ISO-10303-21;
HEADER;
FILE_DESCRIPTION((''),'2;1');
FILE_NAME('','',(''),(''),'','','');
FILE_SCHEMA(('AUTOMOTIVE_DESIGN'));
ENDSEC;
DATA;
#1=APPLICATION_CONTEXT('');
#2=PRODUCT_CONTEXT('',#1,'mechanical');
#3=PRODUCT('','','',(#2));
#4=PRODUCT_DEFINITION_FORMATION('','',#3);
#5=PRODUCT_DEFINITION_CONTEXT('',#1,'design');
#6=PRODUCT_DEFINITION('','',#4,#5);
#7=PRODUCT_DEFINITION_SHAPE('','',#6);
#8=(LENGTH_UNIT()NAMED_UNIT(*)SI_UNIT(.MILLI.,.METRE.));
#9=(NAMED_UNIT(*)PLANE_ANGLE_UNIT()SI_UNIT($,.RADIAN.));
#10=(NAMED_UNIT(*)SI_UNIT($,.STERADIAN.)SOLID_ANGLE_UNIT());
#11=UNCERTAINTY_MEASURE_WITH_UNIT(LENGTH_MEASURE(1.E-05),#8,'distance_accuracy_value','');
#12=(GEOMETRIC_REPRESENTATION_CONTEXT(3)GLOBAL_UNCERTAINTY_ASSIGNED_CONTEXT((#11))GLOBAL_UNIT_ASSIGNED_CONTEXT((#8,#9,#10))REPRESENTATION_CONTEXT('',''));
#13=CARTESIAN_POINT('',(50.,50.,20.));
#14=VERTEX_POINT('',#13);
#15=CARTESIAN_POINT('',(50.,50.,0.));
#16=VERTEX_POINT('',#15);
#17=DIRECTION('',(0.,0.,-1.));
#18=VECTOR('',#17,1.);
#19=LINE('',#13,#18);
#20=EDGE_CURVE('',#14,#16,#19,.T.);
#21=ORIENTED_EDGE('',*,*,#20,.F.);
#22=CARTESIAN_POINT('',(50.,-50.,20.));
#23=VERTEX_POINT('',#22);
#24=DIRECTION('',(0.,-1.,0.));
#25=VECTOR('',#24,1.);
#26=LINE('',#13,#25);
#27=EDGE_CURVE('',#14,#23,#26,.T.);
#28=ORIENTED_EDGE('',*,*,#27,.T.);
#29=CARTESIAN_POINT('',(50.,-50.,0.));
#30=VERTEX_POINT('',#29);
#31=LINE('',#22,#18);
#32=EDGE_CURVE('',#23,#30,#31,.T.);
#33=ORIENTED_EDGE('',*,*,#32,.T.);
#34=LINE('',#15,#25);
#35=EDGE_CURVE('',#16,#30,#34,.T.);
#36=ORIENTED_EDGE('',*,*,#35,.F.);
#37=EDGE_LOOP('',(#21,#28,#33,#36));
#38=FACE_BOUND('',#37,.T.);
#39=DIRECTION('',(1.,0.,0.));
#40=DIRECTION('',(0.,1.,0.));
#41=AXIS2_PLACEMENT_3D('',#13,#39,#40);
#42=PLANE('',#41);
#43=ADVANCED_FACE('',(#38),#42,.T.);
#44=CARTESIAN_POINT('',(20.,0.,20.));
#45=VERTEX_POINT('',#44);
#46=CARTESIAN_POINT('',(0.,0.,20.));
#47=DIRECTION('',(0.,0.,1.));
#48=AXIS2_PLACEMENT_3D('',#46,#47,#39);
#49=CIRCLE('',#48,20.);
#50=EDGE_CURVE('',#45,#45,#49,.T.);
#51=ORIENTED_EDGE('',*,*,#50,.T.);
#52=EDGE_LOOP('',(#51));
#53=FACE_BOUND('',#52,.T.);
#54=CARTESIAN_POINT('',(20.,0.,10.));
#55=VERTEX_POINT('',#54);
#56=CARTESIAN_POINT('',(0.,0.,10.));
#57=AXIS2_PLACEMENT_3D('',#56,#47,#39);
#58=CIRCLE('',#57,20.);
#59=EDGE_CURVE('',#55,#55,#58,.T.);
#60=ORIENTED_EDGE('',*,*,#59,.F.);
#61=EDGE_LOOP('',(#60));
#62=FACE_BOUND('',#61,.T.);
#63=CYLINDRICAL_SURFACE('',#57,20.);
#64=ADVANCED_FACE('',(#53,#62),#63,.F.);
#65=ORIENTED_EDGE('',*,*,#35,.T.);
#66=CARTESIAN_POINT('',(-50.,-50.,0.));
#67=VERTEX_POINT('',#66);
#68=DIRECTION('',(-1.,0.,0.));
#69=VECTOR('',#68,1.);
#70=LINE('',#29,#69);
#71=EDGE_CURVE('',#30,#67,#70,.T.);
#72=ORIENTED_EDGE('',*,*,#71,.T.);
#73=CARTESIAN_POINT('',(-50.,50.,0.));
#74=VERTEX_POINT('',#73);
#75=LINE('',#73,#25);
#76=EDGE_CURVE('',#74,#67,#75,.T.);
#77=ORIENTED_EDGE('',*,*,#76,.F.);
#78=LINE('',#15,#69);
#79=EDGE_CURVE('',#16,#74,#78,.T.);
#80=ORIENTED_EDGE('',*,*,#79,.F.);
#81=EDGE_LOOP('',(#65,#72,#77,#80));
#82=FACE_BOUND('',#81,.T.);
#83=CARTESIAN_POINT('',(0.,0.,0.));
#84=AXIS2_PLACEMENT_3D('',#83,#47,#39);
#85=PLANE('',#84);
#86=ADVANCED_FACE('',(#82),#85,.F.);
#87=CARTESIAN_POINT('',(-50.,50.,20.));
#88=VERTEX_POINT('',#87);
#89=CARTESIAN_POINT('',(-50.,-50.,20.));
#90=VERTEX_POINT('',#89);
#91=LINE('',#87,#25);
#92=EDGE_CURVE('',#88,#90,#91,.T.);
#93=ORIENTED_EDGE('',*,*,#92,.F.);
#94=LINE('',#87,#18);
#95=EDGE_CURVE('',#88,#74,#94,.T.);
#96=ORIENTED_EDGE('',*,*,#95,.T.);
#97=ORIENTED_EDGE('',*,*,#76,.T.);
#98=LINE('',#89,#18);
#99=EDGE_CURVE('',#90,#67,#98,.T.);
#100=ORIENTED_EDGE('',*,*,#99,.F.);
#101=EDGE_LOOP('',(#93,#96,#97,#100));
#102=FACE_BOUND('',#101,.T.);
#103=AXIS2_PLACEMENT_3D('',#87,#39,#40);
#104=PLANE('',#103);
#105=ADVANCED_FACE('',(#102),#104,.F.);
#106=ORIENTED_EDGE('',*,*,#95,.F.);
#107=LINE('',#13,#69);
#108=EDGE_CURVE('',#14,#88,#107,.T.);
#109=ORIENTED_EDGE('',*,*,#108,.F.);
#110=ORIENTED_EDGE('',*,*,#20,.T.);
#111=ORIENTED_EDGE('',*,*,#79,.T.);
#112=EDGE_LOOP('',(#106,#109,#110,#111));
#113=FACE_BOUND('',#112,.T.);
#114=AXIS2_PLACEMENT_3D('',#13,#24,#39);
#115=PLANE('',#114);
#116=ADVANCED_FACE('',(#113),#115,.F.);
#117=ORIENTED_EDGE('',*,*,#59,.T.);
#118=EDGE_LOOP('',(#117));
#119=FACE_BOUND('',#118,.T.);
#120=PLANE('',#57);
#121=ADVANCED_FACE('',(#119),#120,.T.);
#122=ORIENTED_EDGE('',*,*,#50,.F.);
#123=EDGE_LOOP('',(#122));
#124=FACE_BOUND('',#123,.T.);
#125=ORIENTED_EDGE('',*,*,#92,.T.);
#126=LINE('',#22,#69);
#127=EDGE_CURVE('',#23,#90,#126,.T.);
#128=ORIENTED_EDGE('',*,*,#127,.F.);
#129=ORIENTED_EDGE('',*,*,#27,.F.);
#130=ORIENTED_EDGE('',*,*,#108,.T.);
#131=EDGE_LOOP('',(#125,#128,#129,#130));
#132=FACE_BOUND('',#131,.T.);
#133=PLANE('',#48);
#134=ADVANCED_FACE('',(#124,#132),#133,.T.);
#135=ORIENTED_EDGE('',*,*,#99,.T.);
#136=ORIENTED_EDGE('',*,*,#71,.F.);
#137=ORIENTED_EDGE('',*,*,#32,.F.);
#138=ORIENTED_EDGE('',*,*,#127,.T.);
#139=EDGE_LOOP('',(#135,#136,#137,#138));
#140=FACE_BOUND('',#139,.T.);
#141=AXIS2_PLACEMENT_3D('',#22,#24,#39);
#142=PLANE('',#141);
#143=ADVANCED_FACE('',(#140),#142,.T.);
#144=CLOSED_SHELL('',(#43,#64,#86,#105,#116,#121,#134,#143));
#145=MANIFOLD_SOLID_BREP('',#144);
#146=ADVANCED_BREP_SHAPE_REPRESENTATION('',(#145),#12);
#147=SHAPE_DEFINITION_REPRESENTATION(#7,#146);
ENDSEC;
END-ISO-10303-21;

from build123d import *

# Parameters (mm, degrees)
SKETCH2_W           = 100
SKETCH2_H           = 100
BOSS_EXTRUDE1_DEPTH = 20
SKETCH3_R           = 20
CUT_EXTRUDE1_DEPTH  = 10


with BuildPart() as part:
    # Sketch2 → Boss-Extrude1 (new body)
    with BuildSketch(Plane.XY):
        Rectangle(SKETCH2_W, SKETCH2_H)
    extrude(amount=BOSS_EXTRUDE1_DEPTH)

    # Sketch3 → Cut-Extrude1 (cut)
    with BuildSketch(Plane.XY.offset(20)):
        Circle(SKETCH3_R)
    extrude(amount=-CUT_EXTRUDE1_DEPTH, mode=Mode.SUBTRACT)


solid = part.part
